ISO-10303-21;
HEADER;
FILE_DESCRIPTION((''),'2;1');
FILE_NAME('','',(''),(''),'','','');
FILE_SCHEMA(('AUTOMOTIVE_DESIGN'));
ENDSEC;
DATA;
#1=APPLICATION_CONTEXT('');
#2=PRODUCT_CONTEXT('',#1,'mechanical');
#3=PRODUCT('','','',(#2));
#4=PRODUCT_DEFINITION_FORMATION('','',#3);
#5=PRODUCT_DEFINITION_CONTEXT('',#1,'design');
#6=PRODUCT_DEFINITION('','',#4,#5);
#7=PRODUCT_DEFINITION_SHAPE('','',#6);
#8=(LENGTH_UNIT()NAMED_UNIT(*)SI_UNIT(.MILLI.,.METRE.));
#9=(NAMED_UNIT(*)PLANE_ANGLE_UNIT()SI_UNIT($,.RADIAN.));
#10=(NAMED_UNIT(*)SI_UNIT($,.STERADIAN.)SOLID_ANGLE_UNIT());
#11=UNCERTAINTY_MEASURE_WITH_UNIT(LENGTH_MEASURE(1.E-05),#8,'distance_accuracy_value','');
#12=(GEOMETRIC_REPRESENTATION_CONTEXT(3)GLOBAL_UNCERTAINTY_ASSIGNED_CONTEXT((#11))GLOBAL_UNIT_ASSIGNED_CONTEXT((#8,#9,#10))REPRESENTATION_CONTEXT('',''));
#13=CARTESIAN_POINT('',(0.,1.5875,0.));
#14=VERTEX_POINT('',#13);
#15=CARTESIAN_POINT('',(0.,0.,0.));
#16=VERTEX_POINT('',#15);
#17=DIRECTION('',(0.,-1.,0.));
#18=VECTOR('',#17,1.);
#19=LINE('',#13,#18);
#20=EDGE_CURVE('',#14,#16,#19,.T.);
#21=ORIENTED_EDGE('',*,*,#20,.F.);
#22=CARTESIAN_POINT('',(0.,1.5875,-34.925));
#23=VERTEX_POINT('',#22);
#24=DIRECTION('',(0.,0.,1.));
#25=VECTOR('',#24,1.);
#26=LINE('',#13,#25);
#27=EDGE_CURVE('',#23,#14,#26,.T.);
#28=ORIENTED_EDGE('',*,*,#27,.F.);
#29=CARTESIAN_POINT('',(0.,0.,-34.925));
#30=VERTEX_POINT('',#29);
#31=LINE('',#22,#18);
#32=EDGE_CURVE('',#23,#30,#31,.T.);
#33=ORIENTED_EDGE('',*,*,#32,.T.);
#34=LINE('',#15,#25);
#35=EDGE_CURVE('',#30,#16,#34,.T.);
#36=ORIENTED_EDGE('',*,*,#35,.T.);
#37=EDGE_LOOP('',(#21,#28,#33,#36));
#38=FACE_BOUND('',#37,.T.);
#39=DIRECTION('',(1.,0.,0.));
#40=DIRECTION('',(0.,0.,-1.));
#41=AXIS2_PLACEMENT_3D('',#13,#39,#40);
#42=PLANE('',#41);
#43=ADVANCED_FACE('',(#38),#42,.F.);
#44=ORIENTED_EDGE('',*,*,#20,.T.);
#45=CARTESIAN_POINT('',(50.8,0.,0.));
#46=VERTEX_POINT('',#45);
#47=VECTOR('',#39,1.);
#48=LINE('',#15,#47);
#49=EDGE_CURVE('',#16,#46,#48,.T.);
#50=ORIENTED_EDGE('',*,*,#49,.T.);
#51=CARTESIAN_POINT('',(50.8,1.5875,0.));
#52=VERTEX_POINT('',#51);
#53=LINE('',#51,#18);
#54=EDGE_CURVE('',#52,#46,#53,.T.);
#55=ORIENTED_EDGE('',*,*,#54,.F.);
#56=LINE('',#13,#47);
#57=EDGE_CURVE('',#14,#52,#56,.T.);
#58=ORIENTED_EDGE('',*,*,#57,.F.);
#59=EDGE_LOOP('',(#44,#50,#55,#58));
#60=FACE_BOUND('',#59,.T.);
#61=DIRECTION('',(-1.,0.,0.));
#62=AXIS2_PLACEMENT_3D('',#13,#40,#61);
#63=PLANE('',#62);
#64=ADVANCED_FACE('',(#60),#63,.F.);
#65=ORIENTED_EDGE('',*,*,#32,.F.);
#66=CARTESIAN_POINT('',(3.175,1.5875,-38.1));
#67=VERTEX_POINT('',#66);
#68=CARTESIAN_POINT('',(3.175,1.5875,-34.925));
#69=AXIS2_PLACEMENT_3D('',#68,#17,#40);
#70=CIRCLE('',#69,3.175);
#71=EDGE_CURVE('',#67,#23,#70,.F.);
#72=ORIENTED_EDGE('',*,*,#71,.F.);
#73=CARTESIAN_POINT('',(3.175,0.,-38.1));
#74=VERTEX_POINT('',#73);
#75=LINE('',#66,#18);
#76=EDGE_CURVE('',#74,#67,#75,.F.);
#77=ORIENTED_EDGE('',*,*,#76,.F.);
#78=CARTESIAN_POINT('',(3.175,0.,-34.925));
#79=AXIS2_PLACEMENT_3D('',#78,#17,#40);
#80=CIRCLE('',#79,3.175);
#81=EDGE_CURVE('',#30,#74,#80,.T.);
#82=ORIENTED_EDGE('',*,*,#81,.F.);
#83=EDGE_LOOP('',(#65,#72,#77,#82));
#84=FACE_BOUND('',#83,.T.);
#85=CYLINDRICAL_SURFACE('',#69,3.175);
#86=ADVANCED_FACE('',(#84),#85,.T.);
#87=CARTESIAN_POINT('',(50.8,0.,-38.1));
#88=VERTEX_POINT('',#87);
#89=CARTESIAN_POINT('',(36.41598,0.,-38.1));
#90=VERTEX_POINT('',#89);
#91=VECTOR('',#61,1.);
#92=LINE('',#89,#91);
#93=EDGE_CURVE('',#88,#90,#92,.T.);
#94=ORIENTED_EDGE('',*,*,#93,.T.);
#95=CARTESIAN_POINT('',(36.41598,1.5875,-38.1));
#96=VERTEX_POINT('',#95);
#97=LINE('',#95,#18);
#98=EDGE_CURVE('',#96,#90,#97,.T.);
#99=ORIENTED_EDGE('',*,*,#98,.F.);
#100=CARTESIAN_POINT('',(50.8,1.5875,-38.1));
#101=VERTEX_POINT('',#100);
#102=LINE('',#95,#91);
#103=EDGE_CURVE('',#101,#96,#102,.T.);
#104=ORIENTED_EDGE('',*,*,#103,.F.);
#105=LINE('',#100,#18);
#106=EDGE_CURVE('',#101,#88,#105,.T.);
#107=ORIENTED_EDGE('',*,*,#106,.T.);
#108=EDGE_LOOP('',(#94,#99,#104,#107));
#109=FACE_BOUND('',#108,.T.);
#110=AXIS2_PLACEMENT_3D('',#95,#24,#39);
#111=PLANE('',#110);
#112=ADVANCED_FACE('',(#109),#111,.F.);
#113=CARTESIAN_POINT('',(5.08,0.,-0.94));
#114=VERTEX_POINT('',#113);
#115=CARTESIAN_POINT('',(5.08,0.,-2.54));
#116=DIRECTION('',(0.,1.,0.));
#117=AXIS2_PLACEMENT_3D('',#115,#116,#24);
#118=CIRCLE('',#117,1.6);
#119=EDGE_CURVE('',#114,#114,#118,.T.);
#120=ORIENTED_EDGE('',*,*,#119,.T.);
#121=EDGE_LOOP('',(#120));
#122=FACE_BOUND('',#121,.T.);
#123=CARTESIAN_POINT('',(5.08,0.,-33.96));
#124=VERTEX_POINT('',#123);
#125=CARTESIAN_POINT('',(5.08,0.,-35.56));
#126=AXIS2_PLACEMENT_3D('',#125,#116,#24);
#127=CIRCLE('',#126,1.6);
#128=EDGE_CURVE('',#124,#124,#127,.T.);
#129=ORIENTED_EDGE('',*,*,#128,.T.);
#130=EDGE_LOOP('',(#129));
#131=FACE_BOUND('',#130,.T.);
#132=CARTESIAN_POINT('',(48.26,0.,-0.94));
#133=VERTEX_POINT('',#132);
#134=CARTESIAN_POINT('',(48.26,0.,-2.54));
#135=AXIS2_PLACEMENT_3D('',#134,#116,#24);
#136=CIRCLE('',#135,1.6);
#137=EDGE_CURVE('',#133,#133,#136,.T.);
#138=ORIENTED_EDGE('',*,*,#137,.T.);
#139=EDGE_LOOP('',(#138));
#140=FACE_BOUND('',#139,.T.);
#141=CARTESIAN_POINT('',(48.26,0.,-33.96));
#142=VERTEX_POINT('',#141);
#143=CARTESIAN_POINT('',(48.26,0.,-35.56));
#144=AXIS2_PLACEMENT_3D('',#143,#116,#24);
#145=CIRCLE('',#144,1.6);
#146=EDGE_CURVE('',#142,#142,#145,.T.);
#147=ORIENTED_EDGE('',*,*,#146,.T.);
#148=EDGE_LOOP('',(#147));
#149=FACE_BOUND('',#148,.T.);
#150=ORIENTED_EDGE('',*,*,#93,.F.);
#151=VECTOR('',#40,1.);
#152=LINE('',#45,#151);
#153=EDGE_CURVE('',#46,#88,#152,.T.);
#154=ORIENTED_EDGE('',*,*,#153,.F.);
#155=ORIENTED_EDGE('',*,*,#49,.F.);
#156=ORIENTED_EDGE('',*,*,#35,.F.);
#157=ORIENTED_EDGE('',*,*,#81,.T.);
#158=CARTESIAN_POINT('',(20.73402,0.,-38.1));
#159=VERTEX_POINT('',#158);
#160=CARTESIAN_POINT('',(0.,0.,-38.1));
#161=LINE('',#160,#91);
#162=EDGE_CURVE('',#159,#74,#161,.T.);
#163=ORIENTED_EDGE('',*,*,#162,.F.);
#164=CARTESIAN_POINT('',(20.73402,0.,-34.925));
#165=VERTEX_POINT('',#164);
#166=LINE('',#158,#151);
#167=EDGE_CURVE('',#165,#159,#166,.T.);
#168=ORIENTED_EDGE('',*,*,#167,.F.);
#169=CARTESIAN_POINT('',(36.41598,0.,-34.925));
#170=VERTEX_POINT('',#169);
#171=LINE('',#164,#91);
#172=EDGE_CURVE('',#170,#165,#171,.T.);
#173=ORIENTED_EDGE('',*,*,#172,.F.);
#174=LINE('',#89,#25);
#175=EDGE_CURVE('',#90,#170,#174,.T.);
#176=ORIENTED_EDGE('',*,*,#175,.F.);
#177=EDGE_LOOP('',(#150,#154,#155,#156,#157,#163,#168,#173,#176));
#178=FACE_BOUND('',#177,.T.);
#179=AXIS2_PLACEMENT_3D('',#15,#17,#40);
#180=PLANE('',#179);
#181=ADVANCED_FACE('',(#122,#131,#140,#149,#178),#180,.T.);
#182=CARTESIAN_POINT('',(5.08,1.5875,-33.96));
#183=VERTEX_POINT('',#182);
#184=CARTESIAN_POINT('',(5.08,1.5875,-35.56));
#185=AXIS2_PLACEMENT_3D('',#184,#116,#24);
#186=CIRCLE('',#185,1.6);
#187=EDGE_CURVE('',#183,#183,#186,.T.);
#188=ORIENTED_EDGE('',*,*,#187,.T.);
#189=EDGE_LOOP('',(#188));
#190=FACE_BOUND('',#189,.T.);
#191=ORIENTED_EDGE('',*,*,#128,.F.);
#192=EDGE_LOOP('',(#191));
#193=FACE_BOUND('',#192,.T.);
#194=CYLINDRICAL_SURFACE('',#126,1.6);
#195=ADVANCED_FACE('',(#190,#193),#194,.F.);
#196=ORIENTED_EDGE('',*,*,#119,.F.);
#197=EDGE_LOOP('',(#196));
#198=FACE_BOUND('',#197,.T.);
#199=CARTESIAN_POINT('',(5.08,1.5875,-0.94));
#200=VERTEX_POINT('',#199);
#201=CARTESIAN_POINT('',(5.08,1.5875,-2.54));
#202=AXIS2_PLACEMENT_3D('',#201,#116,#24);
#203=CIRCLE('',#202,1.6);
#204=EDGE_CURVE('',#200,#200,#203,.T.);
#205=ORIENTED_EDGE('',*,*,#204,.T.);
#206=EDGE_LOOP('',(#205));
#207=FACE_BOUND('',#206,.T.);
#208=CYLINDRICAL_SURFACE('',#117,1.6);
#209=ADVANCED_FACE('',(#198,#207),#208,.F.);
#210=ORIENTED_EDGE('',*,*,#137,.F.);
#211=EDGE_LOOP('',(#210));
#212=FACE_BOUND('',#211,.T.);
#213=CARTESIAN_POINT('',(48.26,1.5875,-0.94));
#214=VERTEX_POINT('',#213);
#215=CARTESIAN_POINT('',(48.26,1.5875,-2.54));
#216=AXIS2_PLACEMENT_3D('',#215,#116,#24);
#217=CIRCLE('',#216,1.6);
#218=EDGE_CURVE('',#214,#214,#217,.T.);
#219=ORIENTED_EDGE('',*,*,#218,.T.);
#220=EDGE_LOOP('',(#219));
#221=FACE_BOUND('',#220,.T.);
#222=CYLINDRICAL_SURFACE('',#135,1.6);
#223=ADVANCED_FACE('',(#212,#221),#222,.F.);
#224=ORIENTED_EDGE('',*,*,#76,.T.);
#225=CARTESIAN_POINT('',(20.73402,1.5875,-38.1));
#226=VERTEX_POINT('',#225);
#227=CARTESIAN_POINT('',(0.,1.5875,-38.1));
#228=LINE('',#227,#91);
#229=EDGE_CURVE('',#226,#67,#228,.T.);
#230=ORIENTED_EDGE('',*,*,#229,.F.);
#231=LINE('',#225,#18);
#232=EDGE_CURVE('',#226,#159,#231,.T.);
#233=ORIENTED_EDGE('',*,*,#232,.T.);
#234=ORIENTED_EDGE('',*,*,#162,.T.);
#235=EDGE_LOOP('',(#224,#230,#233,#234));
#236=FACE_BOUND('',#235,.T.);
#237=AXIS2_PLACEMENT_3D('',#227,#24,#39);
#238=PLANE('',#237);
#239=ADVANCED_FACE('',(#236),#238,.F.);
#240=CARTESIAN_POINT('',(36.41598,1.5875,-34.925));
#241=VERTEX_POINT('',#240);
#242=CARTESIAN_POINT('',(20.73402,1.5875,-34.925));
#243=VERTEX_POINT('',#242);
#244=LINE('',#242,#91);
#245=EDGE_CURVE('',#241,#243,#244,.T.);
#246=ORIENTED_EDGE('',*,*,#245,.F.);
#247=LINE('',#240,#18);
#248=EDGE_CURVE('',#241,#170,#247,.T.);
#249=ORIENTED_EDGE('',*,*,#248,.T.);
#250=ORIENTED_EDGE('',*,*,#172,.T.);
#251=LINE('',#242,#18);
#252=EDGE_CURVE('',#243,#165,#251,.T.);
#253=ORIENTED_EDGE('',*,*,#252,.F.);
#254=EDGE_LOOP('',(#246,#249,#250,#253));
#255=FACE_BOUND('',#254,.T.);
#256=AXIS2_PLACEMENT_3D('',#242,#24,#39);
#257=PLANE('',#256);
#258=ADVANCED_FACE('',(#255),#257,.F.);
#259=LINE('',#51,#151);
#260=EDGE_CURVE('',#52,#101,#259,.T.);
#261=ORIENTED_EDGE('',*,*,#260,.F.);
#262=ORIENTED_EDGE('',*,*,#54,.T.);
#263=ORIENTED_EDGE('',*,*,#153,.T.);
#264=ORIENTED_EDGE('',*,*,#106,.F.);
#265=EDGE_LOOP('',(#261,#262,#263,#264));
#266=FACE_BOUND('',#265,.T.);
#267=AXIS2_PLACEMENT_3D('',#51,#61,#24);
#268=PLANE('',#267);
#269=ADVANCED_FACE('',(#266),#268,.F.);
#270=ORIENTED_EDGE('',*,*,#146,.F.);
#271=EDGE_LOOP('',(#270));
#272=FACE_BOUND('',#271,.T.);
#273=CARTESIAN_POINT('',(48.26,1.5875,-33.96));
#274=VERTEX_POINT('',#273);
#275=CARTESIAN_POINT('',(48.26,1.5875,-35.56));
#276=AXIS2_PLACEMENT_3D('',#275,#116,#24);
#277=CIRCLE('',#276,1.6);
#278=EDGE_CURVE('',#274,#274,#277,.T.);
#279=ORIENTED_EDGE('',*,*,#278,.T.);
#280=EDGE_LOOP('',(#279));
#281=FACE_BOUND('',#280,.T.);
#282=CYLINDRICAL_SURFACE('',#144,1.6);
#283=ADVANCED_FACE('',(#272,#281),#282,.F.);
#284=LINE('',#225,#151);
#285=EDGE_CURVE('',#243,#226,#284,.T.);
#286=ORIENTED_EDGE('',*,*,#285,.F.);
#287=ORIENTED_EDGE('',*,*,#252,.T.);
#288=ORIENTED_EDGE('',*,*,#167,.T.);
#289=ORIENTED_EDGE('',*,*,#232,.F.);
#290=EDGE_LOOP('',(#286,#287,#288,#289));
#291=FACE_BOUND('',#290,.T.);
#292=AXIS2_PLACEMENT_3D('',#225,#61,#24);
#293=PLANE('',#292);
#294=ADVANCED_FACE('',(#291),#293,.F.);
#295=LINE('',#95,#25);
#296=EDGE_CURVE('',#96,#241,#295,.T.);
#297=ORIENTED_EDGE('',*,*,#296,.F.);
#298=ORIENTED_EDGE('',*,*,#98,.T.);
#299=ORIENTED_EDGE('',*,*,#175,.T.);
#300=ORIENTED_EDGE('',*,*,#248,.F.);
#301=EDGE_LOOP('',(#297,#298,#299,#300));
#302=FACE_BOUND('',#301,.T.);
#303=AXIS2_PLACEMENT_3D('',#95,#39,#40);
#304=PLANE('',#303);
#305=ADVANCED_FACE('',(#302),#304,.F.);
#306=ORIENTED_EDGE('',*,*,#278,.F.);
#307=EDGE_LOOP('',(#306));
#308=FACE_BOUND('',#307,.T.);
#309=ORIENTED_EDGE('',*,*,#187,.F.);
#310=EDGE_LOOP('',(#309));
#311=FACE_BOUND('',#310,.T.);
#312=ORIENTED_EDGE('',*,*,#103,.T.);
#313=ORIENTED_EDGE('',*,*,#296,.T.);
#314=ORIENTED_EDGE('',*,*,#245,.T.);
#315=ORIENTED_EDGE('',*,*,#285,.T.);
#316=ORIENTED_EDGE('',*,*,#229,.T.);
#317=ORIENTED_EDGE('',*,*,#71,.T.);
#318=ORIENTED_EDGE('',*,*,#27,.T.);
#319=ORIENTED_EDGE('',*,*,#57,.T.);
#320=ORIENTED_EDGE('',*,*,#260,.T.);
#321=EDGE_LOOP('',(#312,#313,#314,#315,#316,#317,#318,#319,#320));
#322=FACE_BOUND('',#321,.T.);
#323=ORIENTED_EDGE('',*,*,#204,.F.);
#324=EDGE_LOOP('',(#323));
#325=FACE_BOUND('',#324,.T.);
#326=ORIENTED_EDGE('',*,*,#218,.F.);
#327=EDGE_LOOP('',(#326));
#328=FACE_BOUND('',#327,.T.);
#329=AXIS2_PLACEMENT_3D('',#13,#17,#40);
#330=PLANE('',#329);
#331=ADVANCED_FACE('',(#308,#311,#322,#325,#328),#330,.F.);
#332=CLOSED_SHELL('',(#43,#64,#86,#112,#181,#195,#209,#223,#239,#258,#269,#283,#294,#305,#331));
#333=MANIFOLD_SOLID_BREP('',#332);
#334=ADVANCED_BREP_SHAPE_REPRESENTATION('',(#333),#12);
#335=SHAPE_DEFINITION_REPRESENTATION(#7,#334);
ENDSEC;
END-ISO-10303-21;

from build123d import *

# Parameters (mm, degrees)
BOSS_EXTRUDE1_DEPTH = 1.5875
SKETCH2_R           = 1.599999975
CUT_EXTRUDE1_DEPTH  = 2.5875
FILLET1_R           = 3.175


with BuildPart() as part:
    # Sketch1 → Boss-Extrude1 (new body)
    with BuildSketch(Plane(origin=(0, 0, 0), x_dir=(1, 0, 0), z_dir=(0, 1, 0))):
        Polygon((36.41598, 38.1), (50.8, 38.1), (50.8, 0), (0, 0), (0, 38.1), (20.73402, 38.1), (20.73402, 34.925), (36.41598, 34.925), align=None)
    extrude(amount=BOSS_EXTRUDE1_DEPTH)

    # Sketch2 → Cut-Extrude1 (cut, through all)
    with BuildSketch(Plane(origin=(0, 1.5875, 0), x_dir=(1, 0, 0), z_dir=(0, 1, 0))):
        with Locations(Location((5.08, 35.56, 0), (0, 0, 270))):  # turned: the seam where the file's is
            Circle(SKETCH2_R)
        with Locations(Location((48.26, 2.54, 0), (0, 0, 270))):  # turned: the seam where the file's is
            Circle(SKETCH2_R)
        with Locations(Location((48.26, 35.56, 0), (0, 0, 270))):  # turned: the seam where the file's is
            Circle(SKETCH2_R)
        with Locations(Location((5.08, 2.54, 0), (0, 0, 270))):  # turned: the seam where the file's is
            Circle(SKETCH2_R)
    extrude(amount=-CUT_EXTRUDE1_DEPTH, mode=Mode.SUBTRACT)

    # Fillet1
    fillet1_edges = [part.edges().sort_by_distance(p)[0] for p in [
        (0, 0.79375, -38.1),
    ]]
    fillet(fillet1_edges, radius=FILLET1_R)


solid = part.part
